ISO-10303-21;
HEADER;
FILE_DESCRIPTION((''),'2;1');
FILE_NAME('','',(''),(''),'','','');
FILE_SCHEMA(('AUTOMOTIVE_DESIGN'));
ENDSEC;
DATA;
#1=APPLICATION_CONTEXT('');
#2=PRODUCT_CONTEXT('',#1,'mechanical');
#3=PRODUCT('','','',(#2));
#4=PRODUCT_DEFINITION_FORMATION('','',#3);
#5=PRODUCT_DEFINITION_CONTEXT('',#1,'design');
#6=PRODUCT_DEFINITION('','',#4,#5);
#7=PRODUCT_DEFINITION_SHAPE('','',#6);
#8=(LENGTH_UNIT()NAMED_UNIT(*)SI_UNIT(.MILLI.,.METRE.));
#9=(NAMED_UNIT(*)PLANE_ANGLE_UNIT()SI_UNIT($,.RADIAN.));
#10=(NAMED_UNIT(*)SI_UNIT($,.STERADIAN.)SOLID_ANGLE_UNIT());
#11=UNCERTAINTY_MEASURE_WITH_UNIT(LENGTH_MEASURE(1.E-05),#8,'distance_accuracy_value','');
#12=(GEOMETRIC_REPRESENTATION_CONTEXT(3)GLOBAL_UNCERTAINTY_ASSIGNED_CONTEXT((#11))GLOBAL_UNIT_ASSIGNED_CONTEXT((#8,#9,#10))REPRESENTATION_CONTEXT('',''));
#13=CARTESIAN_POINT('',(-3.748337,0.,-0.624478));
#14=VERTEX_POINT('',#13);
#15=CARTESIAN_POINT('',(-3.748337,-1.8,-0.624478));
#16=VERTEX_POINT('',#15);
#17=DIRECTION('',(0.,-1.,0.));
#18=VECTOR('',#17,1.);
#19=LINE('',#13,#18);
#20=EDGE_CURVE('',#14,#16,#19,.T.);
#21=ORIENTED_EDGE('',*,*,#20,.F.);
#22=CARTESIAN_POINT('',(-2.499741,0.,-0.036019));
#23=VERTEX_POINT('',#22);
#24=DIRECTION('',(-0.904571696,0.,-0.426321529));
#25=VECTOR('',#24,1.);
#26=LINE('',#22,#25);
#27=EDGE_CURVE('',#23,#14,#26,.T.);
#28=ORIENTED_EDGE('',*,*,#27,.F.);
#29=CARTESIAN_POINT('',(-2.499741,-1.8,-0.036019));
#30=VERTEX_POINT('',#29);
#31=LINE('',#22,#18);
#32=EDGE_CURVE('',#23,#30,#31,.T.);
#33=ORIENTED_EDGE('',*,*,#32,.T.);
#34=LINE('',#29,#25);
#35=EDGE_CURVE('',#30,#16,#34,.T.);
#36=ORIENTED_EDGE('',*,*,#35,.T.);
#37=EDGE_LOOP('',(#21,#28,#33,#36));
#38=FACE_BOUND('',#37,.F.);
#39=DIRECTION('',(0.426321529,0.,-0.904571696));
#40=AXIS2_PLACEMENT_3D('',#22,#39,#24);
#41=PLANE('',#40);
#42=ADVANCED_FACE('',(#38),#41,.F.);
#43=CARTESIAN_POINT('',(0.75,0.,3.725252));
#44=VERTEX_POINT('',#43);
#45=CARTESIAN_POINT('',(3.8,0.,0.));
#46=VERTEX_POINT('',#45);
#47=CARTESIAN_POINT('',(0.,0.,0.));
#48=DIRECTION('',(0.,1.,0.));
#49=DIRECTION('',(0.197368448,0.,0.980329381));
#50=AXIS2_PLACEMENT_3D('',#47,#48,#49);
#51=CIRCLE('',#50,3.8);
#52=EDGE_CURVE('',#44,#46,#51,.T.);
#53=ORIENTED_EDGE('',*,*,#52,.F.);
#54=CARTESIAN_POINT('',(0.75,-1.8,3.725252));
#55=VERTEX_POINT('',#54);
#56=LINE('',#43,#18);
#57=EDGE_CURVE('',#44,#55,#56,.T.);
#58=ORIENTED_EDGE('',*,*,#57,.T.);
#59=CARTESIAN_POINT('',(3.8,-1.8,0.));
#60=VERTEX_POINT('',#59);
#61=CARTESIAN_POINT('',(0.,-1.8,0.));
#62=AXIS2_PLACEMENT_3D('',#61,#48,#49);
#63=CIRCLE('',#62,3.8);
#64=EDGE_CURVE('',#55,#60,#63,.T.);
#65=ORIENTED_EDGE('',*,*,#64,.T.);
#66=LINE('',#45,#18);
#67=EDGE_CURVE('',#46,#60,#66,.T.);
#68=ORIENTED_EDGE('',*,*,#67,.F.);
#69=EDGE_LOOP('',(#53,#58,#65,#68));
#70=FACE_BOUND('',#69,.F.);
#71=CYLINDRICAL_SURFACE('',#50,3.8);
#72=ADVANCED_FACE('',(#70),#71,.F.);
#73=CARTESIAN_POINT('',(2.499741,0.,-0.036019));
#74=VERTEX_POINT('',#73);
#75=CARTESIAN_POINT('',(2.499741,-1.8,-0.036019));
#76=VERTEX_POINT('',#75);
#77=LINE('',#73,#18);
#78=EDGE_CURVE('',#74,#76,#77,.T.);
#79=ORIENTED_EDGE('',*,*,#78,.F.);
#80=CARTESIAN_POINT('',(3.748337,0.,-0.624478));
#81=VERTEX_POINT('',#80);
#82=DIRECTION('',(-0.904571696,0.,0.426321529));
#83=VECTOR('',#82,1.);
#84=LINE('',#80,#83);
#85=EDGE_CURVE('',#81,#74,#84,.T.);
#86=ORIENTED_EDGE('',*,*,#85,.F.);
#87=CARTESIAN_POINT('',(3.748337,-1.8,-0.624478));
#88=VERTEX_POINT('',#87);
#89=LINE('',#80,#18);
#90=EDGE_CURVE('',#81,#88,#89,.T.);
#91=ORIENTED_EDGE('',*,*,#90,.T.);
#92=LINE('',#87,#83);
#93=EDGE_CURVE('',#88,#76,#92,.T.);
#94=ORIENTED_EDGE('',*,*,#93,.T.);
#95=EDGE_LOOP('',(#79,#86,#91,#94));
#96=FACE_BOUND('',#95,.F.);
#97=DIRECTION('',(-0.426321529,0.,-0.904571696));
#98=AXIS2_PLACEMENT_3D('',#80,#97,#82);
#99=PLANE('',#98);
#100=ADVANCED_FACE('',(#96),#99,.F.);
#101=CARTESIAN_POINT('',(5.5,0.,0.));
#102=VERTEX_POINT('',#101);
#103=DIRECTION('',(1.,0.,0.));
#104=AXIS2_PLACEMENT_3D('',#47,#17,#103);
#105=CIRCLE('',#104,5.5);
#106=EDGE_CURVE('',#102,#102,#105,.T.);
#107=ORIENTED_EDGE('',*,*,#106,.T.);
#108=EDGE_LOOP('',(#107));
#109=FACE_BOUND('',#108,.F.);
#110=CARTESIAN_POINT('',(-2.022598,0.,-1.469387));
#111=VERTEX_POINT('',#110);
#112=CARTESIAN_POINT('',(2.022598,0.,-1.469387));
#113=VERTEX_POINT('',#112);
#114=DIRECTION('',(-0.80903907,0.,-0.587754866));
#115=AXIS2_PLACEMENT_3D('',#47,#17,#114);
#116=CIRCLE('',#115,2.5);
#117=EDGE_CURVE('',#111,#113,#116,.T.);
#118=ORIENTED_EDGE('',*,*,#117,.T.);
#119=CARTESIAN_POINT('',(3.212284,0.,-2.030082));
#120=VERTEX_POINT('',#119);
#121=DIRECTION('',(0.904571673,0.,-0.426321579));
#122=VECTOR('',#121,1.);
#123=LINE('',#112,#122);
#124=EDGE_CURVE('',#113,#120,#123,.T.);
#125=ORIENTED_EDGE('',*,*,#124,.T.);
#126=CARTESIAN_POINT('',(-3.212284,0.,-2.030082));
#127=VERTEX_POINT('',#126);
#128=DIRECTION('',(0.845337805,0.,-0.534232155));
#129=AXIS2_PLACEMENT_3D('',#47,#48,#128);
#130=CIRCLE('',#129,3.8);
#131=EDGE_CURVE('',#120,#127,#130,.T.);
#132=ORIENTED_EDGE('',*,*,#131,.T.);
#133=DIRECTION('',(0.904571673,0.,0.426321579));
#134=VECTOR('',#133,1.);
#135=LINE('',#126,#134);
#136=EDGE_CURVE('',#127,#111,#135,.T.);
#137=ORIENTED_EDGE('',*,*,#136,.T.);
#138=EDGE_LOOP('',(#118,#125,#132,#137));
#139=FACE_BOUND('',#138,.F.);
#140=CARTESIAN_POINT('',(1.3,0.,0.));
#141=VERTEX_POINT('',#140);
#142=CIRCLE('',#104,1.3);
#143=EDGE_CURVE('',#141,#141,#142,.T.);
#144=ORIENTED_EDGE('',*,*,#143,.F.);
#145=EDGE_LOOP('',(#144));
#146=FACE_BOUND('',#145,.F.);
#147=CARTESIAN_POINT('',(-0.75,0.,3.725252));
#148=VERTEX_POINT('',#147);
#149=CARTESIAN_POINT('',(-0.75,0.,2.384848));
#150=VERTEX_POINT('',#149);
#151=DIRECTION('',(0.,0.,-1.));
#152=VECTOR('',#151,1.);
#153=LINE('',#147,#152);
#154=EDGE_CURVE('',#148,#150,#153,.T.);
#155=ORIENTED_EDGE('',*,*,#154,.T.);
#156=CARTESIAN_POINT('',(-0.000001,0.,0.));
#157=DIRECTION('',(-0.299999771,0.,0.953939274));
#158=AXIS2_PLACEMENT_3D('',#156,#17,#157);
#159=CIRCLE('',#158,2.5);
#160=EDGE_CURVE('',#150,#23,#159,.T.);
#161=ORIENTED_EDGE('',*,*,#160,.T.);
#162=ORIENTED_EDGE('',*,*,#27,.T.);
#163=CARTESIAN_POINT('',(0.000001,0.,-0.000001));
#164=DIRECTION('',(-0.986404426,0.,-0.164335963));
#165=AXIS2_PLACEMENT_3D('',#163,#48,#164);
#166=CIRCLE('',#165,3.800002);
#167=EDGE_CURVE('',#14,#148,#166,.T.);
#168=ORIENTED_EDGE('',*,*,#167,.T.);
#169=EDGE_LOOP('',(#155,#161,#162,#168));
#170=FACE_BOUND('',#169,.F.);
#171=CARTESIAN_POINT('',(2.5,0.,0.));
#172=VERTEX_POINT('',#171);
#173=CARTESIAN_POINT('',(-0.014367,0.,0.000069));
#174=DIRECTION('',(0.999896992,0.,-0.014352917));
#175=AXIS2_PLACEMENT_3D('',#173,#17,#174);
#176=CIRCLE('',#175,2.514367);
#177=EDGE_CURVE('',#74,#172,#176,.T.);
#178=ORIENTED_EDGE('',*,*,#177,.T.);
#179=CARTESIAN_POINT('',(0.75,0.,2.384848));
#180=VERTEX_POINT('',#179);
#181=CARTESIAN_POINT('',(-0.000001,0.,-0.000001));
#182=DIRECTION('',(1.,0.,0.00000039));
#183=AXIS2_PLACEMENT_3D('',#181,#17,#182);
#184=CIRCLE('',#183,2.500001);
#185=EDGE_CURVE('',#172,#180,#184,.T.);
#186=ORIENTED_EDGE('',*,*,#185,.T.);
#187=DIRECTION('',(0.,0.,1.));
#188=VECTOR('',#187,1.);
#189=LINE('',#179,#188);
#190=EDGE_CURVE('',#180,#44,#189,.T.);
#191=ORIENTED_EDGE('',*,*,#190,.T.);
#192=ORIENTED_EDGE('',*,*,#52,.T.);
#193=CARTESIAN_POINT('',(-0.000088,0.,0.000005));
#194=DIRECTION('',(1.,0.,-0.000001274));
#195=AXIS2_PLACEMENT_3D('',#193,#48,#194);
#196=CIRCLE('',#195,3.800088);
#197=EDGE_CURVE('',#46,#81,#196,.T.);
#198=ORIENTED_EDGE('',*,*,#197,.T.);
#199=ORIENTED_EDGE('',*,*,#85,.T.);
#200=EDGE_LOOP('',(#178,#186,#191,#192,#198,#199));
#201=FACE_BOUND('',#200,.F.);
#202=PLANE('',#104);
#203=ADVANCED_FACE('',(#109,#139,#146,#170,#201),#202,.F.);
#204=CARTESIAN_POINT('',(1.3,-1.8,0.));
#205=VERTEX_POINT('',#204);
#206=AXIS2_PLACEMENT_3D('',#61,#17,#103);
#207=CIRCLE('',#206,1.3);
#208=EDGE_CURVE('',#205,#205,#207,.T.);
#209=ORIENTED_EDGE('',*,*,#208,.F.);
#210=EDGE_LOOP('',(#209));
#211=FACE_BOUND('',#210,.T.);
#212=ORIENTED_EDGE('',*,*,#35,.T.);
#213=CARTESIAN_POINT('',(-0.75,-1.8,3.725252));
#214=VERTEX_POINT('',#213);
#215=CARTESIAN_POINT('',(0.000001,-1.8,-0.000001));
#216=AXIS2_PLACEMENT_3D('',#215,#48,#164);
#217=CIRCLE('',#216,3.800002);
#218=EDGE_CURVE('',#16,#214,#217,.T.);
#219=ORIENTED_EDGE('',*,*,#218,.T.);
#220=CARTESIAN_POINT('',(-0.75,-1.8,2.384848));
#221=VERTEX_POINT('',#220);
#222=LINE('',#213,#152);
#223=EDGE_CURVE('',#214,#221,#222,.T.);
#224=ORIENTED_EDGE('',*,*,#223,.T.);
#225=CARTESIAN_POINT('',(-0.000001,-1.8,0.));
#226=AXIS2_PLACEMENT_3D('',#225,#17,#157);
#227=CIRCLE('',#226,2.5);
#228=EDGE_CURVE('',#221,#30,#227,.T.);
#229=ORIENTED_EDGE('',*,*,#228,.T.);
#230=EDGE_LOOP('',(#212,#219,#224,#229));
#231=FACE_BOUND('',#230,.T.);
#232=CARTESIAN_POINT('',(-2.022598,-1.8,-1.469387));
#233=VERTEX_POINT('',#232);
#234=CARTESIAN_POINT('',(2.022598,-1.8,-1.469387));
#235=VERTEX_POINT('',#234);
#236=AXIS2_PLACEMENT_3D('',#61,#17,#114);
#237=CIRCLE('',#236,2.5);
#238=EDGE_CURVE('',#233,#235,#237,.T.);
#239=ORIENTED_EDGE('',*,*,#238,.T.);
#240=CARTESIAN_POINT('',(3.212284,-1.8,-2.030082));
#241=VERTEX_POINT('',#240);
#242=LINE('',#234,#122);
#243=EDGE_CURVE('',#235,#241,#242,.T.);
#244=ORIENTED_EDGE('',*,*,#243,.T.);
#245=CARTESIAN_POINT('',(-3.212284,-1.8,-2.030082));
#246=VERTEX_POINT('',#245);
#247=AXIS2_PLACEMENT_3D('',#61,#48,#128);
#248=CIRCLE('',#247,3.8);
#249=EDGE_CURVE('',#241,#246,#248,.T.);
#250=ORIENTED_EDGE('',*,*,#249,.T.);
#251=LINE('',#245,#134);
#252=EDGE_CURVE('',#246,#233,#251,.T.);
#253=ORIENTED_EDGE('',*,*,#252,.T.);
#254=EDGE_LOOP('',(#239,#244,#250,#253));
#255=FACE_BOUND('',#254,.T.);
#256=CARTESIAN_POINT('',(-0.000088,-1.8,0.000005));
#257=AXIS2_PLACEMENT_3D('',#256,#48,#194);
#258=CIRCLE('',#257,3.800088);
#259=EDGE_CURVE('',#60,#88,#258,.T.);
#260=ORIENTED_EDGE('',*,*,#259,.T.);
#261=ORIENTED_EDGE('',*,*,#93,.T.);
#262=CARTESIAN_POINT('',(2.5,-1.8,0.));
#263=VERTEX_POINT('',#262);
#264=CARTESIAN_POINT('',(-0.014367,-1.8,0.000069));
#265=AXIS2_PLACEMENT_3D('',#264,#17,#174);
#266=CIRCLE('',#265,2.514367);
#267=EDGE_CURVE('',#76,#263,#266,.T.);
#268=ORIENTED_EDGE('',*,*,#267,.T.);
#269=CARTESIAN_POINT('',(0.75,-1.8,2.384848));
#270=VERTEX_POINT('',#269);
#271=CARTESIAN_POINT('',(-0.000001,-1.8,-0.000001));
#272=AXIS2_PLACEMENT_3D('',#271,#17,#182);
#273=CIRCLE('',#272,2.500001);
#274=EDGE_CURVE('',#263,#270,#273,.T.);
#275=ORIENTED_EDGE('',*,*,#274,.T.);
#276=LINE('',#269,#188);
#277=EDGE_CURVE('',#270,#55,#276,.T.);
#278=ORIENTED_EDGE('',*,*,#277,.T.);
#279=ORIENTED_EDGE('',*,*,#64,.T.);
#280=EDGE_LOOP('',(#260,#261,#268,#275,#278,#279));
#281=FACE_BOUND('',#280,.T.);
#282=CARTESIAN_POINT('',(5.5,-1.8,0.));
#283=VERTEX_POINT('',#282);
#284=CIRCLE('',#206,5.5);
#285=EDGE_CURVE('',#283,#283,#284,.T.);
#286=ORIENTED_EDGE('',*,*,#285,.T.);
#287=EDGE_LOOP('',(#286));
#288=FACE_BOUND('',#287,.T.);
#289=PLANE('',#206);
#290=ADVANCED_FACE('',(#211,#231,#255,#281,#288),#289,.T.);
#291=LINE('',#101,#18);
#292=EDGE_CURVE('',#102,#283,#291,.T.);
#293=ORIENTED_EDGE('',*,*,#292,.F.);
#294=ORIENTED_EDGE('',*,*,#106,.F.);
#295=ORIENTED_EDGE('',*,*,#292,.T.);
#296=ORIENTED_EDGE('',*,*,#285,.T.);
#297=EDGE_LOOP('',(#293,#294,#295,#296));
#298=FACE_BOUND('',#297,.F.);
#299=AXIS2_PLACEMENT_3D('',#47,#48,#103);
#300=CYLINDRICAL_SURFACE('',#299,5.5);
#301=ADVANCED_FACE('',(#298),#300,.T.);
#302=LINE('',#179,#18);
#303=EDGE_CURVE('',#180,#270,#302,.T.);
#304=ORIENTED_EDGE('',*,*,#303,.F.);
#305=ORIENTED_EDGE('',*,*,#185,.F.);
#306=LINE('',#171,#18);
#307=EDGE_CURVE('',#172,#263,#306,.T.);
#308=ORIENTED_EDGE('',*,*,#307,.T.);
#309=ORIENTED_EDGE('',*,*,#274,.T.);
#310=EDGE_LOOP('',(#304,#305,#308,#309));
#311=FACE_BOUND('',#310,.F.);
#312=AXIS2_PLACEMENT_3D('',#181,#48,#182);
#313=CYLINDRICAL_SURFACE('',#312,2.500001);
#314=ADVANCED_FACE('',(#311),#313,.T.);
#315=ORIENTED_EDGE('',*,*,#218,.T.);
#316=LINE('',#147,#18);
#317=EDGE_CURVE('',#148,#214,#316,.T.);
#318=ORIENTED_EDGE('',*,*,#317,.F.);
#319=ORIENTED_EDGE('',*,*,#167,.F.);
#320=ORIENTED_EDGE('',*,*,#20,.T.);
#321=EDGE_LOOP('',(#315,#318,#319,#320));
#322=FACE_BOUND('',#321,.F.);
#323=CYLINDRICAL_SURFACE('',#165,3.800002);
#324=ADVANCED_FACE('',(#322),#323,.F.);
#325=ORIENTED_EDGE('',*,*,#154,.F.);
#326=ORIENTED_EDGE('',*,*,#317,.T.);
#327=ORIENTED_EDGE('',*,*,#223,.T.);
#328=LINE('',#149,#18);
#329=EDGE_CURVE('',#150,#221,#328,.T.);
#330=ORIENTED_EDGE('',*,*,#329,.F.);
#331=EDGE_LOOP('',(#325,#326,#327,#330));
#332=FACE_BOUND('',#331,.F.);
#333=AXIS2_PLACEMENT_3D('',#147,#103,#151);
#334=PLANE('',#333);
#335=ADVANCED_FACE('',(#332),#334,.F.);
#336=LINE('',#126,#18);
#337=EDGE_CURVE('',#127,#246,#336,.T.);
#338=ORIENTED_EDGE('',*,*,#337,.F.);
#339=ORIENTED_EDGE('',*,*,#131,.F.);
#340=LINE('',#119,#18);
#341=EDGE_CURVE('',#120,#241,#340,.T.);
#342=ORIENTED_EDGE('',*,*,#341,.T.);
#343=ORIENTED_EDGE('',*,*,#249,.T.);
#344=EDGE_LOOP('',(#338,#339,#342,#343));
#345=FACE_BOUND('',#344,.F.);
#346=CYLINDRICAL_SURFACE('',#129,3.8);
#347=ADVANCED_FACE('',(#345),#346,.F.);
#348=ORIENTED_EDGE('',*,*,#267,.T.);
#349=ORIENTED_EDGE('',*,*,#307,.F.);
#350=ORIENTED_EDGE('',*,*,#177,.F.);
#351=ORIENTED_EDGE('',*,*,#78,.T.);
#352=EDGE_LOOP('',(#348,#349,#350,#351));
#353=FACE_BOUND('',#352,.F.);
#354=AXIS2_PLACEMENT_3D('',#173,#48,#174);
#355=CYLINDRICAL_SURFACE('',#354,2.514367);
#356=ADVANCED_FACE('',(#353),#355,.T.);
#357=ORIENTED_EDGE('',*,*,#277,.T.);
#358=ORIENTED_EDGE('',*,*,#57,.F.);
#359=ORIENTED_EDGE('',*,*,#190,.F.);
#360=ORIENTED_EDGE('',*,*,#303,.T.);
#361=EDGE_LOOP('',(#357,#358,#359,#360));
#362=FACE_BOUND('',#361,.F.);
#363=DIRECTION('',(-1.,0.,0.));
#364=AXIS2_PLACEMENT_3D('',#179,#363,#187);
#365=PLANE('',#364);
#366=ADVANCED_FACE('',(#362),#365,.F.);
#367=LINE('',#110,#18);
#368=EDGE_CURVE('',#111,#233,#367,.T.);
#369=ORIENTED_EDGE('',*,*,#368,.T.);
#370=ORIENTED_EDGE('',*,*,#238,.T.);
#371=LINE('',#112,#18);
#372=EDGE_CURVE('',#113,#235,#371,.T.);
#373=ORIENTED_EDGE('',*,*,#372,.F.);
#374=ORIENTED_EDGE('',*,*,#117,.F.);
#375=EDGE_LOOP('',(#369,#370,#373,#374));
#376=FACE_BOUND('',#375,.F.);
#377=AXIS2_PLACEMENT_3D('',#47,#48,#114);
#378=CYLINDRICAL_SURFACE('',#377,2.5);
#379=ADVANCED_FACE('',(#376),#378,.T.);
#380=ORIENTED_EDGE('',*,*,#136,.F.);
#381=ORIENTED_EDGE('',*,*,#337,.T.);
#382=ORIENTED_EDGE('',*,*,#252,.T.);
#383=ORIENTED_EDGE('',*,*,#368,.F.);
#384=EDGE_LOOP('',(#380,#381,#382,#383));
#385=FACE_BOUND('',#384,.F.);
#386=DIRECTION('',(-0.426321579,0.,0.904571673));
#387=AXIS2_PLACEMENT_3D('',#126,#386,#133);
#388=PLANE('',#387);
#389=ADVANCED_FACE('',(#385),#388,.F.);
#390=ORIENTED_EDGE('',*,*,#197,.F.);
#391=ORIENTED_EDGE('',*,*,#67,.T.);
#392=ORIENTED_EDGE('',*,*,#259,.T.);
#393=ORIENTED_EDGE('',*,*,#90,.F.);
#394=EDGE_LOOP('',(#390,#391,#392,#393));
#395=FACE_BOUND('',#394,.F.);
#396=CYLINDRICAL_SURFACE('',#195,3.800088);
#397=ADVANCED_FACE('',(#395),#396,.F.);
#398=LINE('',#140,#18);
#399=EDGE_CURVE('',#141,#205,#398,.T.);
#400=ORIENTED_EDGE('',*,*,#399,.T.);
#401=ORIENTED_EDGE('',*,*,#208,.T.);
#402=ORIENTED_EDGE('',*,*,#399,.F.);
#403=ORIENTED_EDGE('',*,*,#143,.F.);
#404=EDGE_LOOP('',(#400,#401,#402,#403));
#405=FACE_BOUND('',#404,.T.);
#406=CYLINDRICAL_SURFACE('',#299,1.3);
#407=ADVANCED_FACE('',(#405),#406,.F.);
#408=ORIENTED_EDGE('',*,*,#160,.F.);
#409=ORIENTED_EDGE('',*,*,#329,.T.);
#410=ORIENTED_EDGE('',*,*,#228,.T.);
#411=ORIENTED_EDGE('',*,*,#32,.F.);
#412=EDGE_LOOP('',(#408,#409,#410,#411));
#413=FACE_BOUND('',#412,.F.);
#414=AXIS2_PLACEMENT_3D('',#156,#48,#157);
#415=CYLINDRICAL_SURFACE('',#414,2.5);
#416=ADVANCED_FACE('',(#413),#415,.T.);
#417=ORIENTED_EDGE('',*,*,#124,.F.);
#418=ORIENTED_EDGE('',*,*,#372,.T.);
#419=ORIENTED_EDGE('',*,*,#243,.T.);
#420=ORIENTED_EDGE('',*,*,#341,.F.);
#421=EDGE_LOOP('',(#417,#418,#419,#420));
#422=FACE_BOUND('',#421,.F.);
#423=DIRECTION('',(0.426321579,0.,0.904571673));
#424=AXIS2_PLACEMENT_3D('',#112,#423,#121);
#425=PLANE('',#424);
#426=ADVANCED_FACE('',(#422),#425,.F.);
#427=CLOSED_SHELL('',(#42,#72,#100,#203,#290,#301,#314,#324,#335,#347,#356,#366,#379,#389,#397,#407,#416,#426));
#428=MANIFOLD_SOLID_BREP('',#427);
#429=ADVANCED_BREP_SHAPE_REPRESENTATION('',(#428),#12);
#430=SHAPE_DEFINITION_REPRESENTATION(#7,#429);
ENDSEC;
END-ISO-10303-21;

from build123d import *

# Parameters (mm, degrees)
F0_R     = 5.5
F0_R_2   = 1.3
F1_DEPTH = 1.8


with BuildPart() as f1:
    # F0 (on Front) → F1 (new body)
    with BuildSketch(Plane.XZ):
        Circle(F0_R)
        with BuildLine():
            ThreePointArc((-0.75, 3.725252), (0, 3.8), (0.75, 3.725252))
            ThreePointArc((0.75, 3.725252), (2.940238, 2.407281), (3.8, 0))
            ThreePointArc((3.8, 0), (3.787062, -0.313306), (3.748337, -0.624478))
            ThreePointArc((3.748337, -0.624478), (3.550562, -1.354072), (3.212284, -2.030082))
            ThreePointArc((3.212284, -2.030082), (0, -3.8), (-3.212284, -2.030082))
            ThreePointArc((-3.212284, -2.030082), (-3.550562, -1.354072), (-3.748337, -0.624478))
            ThreePointArc((-3.748337, -0.624478), (-3.128705, 2.156665), (-0.75, 3.725252))
        make_face(mode=Mode.SUBTRACT)
        with BuildLine():
            Line((3.748337, -0.624478), (2.499741, -0.036019))
            ThreePointArc((2.499741, -0.036019), (2.372029, -0.789606), (2.022598, -1.469387))
            Line((2.022598, -1.469387), (3.212284, -2.030082))
            ThreePointArc((3.212284, -2.030082), (3.550562, -1.354072), (3.748337, -0.624478))
        make_face()
        with BuildLine():
            ThreePointArc((-0.75, 2.384848), (0, 2.5), (0.75, 2.384848))
            Line((0.75, 2.384848), (0.75, 3.725252))
            ThreePointArc((0.75, 3.725252), (0, 3.8), (-0.75, 3.725252))
            Line((-0.75, 3.725252), (-0.75, 2.384848))
        make_face()
        with BuildLine():
            ThreePointArc((-2.022598, -1.469387), (-2.372029, -0.789606), (-2.499741, -0.036019))
            Line((-2.499741, -0.036019), (-3.748337, -0.624478))
            ThreePointArc((-3.748337, -0.624478), (-3.550562, -1.354072), (-3.212284, -2.030082))
            Line((-3.212284, -2.030082), (-2.022598, -1.469387))
        make_face()
        with BuildLine():
            ThreePointArc((2.499741, -0.036019), (2.499935, -0.01801), (2.5, 0))
            ThreePointArc((2.5, 0), (2.015564, 1.47902), (0.75, 2.384848))
            ThreePointArc((0.75, 2.384848), (0, 2.5), (-0.75, 2.384848))
            ThreePointArc((-0.75, 2.384848), (-2.026167, 1.464462), (-2.499741, -0.036019))
            ThreePointArc((-2.499741, -0.036019), (-2.372029, -0.789606), (-2.022598, -1.469387))
            ThreePointArc((-2.022598, -1.469387), (0, -2.5), (2.022598, -1.469387))
            ThreePointArc((2.022598, -1.469387), (2.372029, -0.789606), (2.499741, -0.036019))
        make_face()
        Circle(F0_R_2, mode=Mode.SUBTRACT)
    extrude(amount=F1_DEPTH)


solid = f1.part
